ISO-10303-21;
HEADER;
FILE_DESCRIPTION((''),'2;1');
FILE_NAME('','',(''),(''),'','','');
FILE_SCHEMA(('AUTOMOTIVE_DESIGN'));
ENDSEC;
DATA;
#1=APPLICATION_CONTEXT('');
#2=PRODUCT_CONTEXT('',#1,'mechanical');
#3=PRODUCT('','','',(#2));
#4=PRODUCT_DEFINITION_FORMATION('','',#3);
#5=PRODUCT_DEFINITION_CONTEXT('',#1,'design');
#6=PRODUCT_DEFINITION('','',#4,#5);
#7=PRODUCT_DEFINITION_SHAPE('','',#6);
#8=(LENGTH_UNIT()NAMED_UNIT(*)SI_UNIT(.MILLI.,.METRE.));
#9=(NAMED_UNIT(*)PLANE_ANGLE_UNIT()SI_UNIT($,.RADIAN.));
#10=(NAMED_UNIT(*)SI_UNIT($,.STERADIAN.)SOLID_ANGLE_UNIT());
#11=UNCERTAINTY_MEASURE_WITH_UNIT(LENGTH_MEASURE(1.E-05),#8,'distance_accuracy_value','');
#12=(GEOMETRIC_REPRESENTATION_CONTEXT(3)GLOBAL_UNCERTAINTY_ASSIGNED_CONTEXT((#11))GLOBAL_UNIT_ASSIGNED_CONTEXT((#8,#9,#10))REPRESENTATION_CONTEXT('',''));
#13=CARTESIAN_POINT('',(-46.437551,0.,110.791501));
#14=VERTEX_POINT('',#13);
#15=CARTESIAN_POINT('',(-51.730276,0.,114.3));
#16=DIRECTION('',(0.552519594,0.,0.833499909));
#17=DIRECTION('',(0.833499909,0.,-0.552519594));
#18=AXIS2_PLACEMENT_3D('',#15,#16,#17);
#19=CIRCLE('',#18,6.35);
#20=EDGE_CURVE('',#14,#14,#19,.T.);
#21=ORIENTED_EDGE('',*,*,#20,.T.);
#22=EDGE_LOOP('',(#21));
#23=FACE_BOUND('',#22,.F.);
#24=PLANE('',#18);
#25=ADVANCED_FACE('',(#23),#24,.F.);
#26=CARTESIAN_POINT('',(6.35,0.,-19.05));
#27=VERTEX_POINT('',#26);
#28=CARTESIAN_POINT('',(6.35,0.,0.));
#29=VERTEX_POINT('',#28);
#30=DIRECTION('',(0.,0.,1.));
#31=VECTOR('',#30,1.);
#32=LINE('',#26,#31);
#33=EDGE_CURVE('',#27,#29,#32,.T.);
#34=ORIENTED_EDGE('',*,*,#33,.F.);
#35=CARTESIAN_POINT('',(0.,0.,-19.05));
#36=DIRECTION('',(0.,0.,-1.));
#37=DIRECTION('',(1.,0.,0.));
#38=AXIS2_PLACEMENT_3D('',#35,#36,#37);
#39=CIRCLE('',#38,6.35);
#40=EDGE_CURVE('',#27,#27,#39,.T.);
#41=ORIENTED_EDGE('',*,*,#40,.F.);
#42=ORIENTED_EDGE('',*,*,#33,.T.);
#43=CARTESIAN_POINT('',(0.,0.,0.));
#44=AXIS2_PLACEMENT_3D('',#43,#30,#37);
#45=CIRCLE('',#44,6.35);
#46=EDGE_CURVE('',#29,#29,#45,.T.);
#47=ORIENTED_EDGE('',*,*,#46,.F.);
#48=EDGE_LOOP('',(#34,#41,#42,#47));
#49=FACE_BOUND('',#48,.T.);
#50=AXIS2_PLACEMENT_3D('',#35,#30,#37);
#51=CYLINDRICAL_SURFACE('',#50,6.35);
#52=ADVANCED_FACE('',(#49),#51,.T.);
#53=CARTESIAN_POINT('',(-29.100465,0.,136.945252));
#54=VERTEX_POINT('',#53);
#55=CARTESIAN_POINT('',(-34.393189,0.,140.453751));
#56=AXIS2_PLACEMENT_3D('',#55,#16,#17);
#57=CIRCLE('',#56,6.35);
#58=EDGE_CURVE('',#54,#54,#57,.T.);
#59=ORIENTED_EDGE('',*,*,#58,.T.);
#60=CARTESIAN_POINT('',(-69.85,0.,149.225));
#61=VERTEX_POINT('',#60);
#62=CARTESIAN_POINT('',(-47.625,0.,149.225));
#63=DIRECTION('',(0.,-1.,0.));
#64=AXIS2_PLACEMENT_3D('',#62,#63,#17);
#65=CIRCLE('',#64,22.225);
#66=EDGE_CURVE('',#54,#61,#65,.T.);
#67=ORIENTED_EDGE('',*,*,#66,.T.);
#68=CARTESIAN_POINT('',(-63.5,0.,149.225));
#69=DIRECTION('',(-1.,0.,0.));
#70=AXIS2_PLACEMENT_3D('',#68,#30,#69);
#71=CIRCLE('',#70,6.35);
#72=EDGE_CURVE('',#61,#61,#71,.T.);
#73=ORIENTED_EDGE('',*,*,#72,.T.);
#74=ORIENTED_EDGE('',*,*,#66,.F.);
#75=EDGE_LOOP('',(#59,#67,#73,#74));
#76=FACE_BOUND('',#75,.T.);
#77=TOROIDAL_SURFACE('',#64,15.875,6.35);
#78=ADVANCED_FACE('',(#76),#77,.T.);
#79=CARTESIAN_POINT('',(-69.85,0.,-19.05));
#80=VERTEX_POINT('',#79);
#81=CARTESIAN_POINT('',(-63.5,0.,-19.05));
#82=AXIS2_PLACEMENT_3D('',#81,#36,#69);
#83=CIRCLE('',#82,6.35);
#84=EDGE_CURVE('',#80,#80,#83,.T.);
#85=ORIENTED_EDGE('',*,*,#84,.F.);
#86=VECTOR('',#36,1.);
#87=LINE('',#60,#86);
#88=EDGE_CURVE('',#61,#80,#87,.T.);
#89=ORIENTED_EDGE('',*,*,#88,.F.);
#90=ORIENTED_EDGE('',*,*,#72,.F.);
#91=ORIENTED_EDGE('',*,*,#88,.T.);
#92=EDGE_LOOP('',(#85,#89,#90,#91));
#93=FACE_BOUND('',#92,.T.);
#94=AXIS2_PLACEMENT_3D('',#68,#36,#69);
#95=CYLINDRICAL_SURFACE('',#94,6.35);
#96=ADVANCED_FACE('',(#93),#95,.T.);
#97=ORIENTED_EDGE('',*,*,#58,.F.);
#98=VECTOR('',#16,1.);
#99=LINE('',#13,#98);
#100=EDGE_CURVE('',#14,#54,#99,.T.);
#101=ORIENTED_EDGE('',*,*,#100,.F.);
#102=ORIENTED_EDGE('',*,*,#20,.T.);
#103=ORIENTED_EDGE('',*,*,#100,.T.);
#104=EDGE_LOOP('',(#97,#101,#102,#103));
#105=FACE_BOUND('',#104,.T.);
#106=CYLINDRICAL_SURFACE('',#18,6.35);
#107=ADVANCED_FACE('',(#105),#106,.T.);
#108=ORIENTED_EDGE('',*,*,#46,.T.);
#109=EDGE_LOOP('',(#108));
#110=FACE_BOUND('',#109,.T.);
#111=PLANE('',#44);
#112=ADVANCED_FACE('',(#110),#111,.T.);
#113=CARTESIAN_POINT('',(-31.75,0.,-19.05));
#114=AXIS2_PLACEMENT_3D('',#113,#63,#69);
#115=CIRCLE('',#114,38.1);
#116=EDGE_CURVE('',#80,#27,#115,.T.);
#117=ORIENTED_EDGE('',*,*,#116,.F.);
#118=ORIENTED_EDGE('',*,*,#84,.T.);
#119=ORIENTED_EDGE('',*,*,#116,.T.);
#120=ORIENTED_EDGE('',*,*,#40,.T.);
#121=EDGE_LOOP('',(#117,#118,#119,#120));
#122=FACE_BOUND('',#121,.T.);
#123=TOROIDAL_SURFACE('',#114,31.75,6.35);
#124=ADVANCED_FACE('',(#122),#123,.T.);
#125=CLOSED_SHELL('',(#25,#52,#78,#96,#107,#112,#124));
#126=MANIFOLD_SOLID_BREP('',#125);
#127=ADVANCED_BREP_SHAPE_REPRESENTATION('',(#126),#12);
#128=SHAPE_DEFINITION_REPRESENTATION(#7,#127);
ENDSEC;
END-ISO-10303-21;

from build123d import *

# Parameters (mm, degrees)
F1_R = 6.35


with BuildPart() as f2:
    # F2: sweep along a path in F0
    with BuildLine(Plane.XZ) as f2_path:
        Line((-51.7302755781, 114.3), (-34.3931889452, 140.4537514452))
        ThreePointArc((-34.3931889452, 140.4537514452), (-43.0445729181, 164.4248458133), (-63.5, 149.225))
        Line((-63.5, 149.225), (-63.5, -19.05))
        ThreePointArc((-63.5, -19.05), (-31.75, -50.8), (0, -19.05))
        Line((0, -19.05), (0, 0))
    # F1 (on Top) → F2 (sweep)
    with BuildSketch(Plane.XY):
        Circle(F1_R)
    sweep(path=f2_path.line)


solid = f2.part
